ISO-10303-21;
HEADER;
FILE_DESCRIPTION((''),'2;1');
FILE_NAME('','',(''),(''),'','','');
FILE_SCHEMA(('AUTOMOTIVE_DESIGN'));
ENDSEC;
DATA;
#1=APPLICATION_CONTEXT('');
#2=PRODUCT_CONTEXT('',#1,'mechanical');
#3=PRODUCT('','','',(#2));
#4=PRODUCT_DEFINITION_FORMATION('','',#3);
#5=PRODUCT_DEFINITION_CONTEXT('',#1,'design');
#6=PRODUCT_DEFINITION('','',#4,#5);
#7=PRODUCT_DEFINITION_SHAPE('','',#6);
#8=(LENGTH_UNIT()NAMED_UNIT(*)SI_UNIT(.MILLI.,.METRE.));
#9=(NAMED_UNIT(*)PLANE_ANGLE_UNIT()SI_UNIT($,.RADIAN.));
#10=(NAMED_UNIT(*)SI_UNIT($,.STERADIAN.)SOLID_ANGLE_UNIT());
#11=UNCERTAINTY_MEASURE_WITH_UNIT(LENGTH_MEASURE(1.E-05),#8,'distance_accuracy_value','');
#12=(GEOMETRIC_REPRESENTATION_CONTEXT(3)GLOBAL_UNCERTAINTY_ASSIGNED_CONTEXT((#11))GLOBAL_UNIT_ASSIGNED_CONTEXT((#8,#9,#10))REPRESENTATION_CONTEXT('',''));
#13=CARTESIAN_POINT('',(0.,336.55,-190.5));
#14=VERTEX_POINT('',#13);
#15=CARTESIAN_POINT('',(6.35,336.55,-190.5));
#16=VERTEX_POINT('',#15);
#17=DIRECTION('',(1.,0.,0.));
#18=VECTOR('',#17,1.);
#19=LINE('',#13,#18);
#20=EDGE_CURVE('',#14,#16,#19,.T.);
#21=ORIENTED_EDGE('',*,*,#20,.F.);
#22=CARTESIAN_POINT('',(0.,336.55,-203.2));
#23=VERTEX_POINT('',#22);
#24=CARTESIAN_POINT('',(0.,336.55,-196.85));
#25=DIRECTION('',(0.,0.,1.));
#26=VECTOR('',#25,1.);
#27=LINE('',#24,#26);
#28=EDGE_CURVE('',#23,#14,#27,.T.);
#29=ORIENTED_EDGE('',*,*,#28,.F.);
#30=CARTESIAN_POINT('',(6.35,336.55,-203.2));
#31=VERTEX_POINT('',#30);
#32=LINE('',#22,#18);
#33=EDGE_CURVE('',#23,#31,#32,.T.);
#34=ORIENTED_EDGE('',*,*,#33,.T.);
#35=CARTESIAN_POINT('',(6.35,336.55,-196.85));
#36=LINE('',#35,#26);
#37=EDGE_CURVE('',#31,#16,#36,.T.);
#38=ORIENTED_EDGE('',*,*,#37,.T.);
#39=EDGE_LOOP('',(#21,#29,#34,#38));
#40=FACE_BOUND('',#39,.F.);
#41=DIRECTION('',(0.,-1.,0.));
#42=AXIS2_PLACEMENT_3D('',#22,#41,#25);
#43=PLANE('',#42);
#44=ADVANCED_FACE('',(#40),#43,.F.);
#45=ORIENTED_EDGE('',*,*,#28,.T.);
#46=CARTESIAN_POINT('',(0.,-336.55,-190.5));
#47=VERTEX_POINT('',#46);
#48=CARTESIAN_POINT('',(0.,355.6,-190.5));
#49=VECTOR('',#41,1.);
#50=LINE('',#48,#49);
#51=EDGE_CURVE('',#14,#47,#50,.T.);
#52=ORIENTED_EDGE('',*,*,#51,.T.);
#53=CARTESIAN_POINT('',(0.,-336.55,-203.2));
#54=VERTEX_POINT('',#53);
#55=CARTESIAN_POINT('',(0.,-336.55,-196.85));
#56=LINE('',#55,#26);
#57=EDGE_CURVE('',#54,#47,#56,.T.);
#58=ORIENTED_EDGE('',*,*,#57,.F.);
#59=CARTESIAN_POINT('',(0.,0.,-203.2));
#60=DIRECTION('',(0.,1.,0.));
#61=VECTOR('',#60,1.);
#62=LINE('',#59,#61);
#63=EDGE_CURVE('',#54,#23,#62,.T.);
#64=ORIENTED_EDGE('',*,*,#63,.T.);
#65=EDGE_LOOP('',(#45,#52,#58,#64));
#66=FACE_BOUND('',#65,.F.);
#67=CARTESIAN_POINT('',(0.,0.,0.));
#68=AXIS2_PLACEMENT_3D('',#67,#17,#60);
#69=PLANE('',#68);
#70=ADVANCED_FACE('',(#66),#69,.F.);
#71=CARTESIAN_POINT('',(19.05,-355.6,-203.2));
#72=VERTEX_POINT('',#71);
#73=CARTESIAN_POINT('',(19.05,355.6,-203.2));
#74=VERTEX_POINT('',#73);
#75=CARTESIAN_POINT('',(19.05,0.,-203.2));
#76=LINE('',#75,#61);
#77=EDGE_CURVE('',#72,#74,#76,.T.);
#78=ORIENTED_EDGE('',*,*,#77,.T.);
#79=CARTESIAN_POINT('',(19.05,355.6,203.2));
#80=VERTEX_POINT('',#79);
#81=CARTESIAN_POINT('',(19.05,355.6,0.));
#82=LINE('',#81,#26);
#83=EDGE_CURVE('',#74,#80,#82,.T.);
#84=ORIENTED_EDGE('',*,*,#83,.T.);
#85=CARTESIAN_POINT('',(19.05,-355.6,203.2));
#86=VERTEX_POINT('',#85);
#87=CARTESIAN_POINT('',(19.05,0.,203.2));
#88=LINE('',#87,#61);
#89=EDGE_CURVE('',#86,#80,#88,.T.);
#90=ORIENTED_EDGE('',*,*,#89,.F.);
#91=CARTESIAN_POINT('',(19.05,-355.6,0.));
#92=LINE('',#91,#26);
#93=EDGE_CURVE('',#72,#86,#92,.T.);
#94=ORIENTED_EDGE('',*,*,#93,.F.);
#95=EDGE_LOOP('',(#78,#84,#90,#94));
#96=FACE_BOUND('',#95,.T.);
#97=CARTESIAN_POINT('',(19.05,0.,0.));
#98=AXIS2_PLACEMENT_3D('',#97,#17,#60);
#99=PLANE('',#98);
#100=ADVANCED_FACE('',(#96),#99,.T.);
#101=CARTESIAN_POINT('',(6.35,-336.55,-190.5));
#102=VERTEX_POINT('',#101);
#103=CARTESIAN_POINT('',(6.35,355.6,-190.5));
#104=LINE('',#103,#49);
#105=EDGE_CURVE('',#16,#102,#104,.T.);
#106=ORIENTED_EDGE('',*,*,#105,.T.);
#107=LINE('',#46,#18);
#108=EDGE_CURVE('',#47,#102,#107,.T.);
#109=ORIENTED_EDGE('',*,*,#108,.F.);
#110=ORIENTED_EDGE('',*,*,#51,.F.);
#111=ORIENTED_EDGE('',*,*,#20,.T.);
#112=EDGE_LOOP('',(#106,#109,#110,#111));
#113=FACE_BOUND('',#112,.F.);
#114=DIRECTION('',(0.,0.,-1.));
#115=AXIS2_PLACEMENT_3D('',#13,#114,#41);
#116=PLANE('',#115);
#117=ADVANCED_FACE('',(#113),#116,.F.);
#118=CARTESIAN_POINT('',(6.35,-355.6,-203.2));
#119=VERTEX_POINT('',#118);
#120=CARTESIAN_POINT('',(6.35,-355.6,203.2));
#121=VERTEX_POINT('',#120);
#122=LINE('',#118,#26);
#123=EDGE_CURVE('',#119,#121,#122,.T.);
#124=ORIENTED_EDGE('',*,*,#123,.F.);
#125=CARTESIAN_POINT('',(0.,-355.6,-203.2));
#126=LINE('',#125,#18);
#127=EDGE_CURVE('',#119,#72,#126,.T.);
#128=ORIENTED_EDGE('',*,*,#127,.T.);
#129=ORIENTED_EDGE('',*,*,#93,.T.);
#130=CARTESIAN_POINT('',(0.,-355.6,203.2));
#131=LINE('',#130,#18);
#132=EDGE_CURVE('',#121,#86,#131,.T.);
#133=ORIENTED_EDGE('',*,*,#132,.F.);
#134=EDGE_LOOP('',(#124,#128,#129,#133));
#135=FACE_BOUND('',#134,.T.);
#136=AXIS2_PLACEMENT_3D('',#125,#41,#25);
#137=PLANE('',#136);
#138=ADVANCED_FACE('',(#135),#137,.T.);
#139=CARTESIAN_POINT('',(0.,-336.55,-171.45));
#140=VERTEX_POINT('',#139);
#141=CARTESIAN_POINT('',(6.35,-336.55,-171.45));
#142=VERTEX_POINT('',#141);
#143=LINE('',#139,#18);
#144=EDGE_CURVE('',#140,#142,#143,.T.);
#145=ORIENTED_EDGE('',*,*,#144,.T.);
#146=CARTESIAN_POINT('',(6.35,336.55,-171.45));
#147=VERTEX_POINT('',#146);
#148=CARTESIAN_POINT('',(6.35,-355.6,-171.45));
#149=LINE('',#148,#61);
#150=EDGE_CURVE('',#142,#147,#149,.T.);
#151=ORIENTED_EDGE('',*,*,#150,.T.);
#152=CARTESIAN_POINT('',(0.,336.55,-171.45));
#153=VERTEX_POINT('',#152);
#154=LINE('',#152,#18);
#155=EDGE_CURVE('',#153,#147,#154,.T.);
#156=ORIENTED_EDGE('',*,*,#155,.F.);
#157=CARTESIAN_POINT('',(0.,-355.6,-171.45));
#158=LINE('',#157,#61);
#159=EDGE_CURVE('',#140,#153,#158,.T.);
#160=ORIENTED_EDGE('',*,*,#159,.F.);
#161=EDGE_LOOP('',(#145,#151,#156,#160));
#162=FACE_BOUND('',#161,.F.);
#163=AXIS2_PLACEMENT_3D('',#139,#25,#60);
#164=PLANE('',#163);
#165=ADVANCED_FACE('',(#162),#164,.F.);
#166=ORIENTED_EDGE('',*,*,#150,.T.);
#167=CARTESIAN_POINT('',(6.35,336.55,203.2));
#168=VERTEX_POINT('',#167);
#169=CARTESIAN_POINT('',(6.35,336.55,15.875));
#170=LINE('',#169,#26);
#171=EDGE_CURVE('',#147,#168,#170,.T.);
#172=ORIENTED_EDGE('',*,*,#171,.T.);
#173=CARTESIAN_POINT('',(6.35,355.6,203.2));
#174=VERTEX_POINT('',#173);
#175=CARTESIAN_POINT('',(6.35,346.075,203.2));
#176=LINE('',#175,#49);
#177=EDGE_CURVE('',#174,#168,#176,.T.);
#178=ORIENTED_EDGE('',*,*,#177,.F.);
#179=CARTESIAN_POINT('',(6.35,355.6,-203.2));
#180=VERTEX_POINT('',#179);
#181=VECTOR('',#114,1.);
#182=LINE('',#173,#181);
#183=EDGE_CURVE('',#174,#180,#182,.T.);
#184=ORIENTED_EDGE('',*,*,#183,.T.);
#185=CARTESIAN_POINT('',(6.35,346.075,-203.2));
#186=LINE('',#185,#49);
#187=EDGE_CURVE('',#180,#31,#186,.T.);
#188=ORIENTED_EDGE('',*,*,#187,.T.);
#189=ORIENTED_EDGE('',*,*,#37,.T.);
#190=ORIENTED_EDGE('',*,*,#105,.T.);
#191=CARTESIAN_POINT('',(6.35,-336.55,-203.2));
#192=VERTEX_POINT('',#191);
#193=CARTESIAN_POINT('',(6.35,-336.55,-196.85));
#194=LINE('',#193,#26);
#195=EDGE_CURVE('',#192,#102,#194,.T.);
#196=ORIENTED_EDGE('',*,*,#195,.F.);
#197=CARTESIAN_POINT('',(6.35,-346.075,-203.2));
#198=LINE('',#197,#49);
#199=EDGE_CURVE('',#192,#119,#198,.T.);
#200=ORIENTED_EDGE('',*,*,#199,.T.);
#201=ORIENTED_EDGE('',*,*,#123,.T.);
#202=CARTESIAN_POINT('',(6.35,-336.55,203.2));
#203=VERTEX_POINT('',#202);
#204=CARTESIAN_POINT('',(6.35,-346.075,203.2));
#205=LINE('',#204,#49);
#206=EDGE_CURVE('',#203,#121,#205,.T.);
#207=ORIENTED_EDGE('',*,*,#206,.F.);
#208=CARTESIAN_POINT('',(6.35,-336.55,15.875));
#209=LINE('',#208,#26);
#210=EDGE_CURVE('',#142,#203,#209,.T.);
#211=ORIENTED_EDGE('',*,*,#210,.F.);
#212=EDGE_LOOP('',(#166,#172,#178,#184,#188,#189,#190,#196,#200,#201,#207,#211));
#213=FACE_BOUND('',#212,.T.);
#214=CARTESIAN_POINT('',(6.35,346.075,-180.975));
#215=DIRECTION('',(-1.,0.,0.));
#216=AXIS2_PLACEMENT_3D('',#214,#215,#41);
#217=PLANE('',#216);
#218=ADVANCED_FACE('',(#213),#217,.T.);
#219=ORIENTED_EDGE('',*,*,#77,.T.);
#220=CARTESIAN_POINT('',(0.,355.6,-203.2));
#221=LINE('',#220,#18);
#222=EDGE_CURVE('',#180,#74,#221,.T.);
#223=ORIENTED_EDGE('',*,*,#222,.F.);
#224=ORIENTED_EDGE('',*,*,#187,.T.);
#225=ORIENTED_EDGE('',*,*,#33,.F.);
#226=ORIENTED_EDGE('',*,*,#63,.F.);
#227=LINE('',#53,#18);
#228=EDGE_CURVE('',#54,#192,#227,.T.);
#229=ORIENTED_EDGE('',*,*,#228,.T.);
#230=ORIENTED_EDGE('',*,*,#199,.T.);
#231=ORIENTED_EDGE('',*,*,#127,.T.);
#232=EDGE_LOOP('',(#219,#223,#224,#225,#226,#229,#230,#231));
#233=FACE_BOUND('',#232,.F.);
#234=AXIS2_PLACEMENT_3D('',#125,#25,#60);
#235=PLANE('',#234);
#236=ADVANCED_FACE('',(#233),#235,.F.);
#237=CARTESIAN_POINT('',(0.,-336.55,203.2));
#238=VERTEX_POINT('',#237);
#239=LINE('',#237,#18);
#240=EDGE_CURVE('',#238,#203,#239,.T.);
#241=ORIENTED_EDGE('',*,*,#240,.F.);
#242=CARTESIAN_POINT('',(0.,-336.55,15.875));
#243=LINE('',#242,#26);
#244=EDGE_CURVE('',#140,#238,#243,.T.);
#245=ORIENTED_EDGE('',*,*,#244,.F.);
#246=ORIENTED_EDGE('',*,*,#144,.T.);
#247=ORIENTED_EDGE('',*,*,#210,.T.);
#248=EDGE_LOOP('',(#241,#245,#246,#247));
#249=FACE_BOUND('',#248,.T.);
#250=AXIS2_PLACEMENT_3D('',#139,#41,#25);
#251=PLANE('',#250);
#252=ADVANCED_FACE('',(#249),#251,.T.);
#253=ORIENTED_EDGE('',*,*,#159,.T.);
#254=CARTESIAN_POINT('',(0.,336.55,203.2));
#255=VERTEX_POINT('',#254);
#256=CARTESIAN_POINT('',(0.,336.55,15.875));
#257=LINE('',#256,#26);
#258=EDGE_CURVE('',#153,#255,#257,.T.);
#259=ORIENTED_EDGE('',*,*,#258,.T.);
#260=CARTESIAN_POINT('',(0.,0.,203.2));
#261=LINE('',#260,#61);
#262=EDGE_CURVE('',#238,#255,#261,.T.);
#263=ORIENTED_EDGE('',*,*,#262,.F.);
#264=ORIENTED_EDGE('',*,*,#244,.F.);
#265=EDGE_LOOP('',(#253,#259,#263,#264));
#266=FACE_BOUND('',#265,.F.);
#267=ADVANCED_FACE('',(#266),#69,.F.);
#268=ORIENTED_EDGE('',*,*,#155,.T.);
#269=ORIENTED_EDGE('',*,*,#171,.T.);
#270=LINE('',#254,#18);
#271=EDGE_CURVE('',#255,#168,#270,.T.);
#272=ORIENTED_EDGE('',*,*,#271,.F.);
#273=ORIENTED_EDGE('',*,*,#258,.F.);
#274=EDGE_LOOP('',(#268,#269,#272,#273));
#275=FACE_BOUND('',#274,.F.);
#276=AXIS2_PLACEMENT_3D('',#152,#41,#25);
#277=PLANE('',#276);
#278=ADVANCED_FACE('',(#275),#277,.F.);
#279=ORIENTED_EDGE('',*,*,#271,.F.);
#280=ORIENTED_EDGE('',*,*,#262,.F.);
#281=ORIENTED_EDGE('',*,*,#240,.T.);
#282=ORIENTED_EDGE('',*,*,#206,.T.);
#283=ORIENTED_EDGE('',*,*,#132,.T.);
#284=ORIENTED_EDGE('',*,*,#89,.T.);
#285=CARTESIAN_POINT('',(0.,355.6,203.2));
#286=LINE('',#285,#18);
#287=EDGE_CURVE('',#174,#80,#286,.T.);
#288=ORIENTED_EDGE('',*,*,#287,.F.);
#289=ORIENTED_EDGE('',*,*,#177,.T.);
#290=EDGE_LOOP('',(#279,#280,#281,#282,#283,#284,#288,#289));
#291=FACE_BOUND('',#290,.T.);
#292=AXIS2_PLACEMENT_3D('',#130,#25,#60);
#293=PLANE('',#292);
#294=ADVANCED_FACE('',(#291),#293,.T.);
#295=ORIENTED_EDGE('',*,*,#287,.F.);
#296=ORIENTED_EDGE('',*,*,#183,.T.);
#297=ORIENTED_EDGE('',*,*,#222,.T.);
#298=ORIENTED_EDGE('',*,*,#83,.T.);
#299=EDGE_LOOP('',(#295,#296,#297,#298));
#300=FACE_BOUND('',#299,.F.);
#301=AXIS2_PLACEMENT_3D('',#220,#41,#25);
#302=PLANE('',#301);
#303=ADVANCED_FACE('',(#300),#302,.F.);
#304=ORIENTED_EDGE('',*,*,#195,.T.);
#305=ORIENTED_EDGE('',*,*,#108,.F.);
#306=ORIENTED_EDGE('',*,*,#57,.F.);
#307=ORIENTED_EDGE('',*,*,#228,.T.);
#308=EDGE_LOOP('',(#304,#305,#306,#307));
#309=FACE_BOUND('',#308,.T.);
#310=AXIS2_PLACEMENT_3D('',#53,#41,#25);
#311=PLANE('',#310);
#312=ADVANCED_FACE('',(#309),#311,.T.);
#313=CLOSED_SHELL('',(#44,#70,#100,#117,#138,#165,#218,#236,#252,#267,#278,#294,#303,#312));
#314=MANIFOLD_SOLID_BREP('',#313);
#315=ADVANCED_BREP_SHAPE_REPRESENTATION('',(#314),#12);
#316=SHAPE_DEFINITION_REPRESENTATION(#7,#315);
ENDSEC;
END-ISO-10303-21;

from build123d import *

# Parameters (mm, degrees)
F0_W     = 711.2
F0_H     = 406.4
F1_DEPTH = 19.05
F2_W     = 19.05
F2_H     = 19.05
F2_W_2   = 673.1
F2_H_2   = 374.65
F2_H_3   = 12.7
F3_DEPTH = 6.35


with BuildPart() as f1:
    # F0 (on Right) → F1 (new body)
    with BuildSketch(Plane.YZ):
        Rectangle(F0_W, F0_H)
    extrude(amount=F1_DEPTH)

    # F2 (on face) → F3 (cut)
    with BuildSketch(Plane(origin=(0, 0, 0), x_dir=(0, -1, 0), z_dir=(-1, 0, 0))):
        with Locations((-346.075, -180.975)):
            Rectangle(F2_W, F2_H)
        with Locations((0, -180.975)):
            Rectangle(F2_W_2, F2_H)
        with Locations((346.075, -180.975)):
            Rectangle(F2_W, F2_H)
        with Locations((-346.075, 15.875)):
            Rectangle(F2_W, F2_H_2)
        with Locations((-346.075, -196.85)):
            Rectangle(F2_W, F2_H_3)
        with Locations((346.075, 15.875)):
            Rectangle(F2_W, F2_H_2)
        with Locations((346.075, -196.85)):
            Rectangle(F2_W, F2_H_3)
    extrude(amount=-F3_DEPTH, mode=Mode.SUBTRACT)


solid = f1.part
